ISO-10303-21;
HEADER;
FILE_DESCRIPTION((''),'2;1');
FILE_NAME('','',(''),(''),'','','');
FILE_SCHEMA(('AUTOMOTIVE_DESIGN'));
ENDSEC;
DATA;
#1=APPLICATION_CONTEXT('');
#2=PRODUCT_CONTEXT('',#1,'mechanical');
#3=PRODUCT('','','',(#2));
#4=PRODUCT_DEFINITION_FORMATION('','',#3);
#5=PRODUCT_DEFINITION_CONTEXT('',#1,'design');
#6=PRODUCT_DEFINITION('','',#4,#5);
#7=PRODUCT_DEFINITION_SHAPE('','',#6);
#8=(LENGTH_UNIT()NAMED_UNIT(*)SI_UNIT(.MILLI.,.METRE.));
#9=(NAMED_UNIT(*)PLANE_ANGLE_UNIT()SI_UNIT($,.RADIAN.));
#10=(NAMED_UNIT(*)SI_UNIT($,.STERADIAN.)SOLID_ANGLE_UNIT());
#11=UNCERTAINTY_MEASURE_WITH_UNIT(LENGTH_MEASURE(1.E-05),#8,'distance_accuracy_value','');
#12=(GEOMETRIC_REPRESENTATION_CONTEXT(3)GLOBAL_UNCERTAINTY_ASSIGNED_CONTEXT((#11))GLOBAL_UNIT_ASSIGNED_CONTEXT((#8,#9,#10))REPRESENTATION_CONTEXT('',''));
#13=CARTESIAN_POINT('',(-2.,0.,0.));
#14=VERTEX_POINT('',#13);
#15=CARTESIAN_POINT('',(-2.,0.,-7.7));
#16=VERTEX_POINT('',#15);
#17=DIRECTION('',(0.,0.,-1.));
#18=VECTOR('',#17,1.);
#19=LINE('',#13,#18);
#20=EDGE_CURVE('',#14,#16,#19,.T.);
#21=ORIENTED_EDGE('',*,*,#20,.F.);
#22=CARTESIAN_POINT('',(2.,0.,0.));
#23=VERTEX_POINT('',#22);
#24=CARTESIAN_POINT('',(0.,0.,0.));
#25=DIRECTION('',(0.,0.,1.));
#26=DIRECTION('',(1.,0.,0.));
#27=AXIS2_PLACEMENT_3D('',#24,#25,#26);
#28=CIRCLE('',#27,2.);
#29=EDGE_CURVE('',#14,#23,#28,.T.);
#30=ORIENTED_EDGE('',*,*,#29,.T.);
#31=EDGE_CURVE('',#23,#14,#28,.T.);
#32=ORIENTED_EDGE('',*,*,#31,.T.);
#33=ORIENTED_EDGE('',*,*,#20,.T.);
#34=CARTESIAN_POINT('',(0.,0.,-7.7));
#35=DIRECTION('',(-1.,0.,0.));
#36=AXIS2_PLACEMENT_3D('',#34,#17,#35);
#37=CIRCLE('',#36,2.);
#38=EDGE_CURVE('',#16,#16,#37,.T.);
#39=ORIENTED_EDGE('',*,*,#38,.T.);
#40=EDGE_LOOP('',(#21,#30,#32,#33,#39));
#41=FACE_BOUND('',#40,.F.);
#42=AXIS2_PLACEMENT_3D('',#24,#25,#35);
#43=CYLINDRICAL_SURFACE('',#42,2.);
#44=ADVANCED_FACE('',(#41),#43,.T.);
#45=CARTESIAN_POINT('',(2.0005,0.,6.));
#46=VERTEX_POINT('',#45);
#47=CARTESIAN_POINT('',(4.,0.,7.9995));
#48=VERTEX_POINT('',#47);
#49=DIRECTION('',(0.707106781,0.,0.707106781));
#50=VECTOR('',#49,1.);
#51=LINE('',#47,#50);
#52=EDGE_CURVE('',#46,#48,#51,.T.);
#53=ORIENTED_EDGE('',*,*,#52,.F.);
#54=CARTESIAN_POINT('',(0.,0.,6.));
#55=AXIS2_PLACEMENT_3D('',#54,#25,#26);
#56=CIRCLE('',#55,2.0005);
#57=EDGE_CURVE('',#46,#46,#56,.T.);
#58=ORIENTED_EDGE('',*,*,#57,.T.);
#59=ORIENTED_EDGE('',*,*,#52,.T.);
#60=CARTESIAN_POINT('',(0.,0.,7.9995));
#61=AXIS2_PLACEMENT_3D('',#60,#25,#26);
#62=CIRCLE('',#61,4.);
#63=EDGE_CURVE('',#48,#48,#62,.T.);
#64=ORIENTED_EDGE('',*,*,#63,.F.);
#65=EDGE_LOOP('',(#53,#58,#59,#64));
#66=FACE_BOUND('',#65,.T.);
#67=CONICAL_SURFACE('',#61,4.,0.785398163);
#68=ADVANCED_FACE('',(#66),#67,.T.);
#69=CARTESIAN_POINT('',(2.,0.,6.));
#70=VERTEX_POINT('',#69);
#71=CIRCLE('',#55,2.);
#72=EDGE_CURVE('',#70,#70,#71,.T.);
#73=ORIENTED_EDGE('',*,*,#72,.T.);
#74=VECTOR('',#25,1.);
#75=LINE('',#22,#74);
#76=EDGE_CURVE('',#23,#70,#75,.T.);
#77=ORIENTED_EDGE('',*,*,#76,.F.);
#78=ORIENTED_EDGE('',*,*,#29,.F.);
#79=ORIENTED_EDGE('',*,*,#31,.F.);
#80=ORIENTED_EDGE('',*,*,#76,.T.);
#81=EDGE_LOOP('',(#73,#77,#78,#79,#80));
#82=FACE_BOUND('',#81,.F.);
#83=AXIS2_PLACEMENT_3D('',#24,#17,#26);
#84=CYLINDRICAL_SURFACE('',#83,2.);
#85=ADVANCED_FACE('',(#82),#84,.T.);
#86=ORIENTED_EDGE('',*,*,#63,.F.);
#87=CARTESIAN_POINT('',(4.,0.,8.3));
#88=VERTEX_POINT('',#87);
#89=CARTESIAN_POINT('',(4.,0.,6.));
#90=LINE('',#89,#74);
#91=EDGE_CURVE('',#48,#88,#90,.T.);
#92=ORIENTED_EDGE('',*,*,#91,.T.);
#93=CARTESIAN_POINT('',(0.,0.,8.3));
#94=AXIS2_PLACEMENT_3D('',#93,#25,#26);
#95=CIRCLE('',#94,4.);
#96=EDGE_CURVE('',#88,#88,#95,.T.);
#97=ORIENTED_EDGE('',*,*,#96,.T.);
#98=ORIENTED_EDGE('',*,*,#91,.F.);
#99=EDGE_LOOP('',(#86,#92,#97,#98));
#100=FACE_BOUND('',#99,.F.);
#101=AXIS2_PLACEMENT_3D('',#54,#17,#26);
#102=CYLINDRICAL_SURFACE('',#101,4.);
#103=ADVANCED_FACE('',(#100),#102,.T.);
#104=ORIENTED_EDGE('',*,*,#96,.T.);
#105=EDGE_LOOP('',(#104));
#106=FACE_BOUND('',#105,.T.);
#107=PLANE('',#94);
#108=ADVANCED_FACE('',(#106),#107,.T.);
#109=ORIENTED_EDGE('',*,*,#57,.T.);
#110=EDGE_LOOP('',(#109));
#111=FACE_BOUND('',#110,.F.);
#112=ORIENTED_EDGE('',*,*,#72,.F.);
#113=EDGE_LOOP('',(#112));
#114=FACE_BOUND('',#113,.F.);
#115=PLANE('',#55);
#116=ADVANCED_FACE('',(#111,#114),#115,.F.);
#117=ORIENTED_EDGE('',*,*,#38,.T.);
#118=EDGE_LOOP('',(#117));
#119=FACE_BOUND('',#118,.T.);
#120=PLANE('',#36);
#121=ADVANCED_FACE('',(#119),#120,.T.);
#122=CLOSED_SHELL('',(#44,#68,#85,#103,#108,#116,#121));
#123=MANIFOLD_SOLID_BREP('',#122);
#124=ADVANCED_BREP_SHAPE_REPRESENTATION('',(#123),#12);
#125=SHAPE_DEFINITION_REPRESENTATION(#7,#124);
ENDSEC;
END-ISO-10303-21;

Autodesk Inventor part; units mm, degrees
ref_plane "YZ Plane" through (0, 0, 0) normal (1, 0, 0) x (0, 1, 0)
ref_plane "XZ Plane" through (0, 0, 0) normal (0, 1, 0) x (-1, 0, 0)
ref_plane "XY Plane" through (0, 0, 0) normal (0, 0, 1) x (1, 0, 0)
sketch "スケッチ1" plane through (0, 0, 0) normal (0, 0, 1) x (1, 0, 0)
  circle A0 centre (0, 0) radius 2
  dimension "d0" = 4
extrude "押し出し1" add sketch "スケッチ1" along normal blind 6
sketch "スケッチ2" plane through (0, 0, 6) normal (0, 0, 1) x (1, 0, 0)
  circle A0 centre (0, 0) radius 2 projected
  circle A1 centre (0, 0) radius 4
  dimension "d3" = 8
extrude "押し出し2" add sketch "スケッチ2" along normal blind 2.3 contours A0 | A1
thread "ねじ1" size "M4x0.7" class "6g" standard "ANSI Metric M Profile" full length
chamfer "面取り1" distance 2 angle 45 1 edges at (-4, 0, 6)
sketch "スケッチ4" plane through (0, 0, 0) normal (0, 0, -1) x (-1, 0, 0)
  circle A0 centre (0, 0) radius 2
extrude "押し出し4" add sketch "スケッチ4" along normal blind 7.7
properties part number "SB　M4 16mm 皿ネジ" material "Stainless Steel, 440C"
